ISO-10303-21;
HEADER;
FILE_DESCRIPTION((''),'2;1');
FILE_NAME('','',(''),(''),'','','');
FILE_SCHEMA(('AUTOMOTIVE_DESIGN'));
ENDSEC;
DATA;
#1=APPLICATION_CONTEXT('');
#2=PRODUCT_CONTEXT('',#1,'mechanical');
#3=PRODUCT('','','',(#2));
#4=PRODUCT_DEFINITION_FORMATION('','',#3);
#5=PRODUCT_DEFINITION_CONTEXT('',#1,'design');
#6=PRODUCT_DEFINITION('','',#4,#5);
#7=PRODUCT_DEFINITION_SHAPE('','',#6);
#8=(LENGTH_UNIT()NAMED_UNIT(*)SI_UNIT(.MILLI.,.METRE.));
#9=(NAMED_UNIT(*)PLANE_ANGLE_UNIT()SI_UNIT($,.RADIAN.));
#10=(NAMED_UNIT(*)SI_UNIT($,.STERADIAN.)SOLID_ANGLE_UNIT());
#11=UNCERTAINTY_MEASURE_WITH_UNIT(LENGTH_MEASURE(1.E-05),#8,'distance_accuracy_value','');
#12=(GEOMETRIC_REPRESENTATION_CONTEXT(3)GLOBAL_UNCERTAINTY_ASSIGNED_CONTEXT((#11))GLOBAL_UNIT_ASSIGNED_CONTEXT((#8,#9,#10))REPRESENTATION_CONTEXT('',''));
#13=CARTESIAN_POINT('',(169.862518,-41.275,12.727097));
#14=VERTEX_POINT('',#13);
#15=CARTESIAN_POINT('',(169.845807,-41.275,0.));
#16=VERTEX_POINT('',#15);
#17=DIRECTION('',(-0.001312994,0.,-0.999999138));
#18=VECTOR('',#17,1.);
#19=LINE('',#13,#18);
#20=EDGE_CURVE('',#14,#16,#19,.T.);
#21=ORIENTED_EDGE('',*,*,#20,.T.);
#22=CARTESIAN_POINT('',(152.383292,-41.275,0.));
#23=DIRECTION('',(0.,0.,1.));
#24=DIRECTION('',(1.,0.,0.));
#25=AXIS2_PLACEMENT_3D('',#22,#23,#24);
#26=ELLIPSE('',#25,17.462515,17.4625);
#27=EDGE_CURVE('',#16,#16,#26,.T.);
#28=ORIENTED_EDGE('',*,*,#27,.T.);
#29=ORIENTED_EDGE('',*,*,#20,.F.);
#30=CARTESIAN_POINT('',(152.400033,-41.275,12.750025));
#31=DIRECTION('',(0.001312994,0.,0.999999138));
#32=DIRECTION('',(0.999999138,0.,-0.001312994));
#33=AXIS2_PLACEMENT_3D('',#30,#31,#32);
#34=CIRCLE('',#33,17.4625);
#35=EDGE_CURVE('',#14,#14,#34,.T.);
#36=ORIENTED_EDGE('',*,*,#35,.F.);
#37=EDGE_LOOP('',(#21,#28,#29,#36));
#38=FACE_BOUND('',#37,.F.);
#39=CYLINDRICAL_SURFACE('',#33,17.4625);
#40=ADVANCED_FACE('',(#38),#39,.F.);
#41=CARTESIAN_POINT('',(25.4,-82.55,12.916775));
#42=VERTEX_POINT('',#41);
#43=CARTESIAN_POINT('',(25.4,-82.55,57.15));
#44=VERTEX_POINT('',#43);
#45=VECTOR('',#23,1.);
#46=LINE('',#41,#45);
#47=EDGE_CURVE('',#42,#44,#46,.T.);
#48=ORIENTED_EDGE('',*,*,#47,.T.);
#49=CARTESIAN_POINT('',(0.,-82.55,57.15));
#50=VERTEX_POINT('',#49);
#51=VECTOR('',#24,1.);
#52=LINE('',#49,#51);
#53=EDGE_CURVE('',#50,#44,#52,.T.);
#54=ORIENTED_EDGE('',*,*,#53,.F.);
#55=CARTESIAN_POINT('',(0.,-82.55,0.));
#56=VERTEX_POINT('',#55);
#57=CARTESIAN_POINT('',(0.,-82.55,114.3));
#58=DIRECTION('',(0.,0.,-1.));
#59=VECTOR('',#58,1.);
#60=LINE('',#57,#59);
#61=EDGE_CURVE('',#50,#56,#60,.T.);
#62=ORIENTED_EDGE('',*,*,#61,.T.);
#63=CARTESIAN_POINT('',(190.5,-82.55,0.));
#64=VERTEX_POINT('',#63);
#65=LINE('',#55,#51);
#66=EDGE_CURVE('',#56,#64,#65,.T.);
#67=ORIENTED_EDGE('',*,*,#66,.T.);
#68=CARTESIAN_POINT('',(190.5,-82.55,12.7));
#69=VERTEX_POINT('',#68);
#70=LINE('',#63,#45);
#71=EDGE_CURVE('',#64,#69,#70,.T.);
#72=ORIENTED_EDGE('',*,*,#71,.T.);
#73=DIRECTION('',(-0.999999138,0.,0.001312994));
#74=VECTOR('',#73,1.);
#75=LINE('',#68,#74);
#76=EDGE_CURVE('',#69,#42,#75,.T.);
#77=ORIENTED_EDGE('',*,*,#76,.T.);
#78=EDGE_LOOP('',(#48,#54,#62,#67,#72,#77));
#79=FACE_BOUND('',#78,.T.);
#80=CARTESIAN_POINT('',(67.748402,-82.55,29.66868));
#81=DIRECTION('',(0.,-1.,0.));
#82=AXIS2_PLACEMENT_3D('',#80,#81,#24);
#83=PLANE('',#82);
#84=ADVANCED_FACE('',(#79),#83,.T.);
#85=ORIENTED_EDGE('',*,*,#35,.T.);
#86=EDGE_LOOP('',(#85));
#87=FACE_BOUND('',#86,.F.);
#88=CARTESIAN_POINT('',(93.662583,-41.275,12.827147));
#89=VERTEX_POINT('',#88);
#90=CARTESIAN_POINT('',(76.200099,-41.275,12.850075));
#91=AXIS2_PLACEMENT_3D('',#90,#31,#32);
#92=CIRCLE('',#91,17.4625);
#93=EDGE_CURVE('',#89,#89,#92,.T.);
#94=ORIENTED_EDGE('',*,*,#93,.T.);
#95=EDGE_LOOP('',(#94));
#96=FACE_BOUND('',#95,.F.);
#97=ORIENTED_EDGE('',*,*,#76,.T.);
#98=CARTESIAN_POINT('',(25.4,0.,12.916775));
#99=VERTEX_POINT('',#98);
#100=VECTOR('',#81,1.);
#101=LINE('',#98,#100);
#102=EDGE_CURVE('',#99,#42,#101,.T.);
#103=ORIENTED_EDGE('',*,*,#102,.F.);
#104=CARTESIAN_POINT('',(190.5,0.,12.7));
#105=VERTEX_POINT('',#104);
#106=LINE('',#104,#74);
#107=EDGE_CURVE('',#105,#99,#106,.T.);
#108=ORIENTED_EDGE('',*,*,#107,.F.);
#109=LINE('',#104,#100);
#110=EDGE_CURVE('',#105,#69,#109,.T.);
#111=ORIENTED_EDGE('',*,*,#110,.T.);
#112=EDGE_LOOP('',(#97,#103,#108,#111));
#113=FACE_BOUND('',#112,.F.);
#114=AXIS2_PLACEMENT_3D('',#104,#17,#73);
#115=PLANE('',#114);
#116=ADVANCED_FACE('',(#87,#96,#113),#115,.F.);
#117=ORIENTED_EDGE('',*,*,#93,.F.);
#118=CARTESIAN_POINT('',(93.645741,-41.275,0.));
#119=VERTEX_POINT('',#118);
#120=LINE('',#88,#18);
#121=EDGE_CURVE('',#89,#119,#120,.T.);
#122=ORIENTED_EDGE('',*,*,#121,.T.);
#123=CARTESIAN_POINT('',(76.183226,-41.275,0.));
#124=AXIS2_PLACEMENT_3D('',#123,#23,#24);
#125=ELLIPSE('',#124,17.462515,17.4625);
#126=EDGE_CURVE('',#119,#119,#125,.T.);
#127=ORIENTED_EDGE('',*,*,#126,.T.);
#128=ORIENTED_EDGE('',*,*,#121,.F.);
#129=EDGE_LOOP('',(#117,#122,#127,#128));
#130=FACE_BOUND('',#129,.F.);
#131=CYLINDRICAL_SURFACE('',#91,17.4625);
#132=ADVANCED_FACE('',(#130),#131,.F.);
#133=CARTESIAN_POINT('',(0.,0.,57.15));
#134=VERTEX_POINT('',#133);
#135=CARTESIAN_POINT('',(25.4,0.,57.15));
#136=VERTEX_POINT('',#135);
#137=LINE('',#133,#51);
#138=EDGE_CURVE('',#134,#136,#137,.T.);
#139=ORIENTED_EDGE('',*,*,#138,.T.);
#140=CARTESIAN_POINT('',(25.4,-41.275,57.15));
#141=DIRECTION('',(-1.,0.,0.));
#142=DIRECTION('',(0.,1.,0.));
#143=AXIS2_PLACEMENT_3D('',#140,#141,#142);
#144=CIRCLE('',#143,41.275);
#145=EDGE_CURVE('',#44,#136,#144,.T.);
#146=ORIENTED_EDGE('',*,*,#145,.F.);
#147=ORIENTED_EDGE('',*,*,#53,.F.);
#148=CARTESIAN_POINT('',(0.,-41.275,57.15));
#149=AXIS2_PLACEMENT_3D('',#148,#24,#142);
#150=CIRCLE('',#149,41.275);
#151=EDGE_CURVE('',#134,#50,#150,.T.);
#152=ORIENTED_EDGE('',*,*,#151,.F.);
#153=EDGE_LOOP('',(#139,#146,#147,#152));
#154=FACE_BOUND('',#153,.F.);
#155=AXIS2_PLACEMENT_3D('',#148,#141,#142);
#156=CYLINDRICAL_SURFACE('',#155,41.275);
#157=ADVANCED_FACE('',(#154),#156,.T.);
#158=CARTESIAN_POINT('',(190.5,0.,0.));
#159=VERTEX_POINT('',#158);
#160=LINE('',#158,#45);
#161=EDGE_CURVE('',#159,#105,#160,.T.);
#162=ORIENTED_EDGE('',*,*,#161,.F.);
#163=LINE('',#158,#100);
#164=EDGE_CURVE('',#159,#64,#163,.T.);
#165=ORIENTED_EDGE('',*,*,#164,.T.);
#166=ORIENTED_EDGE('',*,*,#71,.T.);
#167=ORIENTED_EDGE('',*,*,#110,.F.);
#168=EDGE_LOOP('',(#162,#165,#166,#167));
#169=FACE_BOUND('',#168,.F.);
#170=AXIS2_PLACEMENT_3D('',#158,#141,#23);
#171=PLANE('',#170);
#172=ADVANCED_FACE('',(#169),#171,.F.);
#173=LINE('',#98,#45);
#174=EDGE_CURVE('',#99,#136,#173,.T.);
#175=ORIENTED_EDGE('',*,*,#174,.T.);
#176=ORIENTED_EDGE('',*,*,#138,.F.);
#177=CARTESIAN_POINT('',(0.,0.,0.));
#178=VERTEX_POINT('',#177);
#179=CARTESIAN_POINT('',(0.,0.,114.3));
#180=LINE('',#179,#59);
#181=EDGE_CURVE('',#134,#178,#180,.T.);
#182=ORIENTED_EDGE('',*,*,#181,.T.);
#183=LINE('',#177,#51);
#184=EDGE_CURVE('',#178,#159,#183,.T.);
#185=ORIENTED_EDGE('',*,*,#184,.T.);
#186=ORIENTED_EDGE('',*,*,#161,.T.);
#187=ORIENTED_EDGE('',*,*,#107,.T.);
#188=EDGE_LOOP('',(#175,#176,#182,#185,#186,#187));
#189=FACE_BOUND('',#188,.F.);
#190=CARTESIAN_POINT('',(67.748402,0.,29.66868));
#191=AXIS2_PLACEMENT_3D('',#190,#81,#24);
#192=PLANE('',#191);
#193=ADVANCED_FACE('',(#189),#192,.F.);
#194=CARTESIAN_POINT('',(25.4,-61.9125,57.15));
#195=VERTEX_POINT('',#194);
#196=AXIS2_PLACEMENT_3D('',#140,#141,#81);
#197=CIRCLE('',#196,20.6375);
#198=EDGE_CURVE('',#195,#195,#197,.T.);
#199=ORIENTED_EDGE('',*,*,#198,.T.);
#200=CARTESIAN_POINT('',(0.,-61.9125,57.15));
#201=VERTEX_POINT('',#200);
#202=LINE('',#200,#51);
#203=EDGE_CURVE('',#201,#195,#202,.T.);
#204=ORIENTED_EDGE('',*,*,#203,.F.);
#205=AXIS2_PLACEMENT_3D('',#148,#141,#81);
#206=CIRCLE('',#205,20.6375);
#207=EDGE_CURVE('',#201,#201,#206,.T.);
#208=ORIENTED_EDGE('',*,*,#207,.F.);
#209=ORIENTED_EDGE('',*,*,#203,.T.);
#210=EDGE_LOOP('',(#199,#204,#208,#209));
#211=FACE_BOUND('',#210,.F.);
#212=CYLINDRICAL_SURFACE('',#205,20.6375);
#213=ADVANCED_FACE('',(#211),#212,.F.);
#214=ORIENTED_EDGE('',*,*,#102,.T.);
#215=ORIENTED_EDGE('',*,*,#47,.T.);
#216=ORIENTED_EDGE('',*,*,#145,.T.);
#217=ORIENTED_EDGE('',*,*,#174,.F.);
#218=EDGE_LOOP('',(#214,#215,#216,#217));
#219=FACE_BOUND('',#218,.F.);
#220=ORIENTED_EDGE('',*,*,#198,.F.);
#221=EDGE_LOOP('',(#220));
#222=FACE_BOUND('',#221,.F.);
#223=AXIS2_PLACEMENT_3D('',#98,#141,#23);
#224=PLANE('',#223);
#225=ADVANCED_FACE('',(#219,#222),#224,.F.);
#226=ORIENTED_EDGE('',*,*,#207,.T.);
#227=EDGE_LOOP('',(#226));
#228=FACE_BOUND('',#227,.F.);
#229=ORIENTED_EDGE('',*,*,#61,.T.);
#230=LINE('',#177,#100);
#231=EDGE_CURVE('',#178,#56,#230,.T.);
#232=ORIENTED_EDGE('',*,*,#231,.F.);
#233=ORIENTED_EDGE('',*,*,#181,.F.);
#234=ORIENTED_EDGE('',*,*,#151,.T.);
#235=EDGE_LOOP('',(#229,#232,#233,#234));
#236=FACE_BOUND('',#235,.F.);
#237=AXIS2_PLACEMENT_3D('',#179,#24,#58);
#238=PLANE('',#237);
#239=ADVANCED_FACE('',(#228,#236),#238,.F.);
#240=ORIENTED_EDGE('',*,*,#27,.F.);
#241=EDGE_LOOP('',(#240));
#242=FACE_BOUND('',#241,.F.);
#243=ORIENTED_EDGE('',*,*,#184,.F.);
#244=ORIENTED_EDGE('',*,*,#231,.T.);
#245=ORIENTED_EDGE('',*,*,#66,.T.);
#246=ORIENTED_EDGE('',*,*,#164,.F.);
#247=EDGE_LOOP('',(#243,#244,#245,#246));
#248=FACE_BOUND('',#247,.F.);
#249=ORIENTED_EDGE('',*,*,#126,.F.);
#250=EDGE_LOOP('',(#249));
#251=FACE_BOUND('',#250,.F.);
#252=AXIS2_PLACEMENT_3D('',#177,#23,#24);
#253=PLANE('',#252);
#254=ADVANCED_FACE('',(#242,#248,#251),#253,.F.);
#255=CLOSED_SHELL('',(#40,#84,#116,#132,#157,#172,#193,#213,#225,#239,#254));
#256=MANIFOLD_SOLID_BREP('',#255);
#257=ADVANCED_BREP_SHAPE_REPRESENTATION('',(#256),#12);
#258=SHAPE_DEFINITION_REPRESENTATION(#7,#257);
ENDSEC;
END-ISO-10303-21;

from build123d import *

# Parameters (mm, degrees)
F1_DEPTH = 82.55
F2_R     = 20.6375
F3_DEPTH = 152.4
F4_R     = 17.4625
F5_DEPTH = 25.4


with BuildPart() as f1:
    # F0 (on Front) → F1 (new body)
    with BuildSketch(Plane.XZ):
        Polygon((0, 114.3), (0, 0), (190.5, 0), (190.5, 12.7), (25.4, 12.9167754203), (25.4, 114.3), align=None)
    extrude(amount=F1_DEPTH)

    # F2 (on face) → F3 (cut)
    with BuildSketch(Plane(origin=(0, 0, 0), x_dir=(0, -1, 0), z_dir=(-1, 0, 0))):
        with Locations((41.275, 57.15)):
            Circle(F2_R)
        with BuildLine():
            Line((0, 114.3), (0, 57.15))
            ThreePointArc((0, 57.15), (41.275, 98.425), (82.55, 57.15))
            Line((82.55, 57.15), (82.55, 114.3))
            Line((82.55, 114.3), (0, 114.3))
        make_face()
    extrude(amount=-F3_DEPTH, mode=Mode.SUBTRACT)

    # F4 (on face) → F5 (cut)
    with BuildSketch(Plane(origin=(0.0170034164, 0, 12.9501031596), x_dir=(0.999999138, 0, -0.0013129935), z_dir=(0.0013129935, 0, 0.999999138))):
        with Locations((76.1831607755, -41.275)):
            Circle(F4_R)
        with Locations((152.3831607755, -41.275)):
            Circle(F4_R)
    extrude(amount=-F5_DEPTH, mode=Mode.SUBTRACT)


solid = f1.part
